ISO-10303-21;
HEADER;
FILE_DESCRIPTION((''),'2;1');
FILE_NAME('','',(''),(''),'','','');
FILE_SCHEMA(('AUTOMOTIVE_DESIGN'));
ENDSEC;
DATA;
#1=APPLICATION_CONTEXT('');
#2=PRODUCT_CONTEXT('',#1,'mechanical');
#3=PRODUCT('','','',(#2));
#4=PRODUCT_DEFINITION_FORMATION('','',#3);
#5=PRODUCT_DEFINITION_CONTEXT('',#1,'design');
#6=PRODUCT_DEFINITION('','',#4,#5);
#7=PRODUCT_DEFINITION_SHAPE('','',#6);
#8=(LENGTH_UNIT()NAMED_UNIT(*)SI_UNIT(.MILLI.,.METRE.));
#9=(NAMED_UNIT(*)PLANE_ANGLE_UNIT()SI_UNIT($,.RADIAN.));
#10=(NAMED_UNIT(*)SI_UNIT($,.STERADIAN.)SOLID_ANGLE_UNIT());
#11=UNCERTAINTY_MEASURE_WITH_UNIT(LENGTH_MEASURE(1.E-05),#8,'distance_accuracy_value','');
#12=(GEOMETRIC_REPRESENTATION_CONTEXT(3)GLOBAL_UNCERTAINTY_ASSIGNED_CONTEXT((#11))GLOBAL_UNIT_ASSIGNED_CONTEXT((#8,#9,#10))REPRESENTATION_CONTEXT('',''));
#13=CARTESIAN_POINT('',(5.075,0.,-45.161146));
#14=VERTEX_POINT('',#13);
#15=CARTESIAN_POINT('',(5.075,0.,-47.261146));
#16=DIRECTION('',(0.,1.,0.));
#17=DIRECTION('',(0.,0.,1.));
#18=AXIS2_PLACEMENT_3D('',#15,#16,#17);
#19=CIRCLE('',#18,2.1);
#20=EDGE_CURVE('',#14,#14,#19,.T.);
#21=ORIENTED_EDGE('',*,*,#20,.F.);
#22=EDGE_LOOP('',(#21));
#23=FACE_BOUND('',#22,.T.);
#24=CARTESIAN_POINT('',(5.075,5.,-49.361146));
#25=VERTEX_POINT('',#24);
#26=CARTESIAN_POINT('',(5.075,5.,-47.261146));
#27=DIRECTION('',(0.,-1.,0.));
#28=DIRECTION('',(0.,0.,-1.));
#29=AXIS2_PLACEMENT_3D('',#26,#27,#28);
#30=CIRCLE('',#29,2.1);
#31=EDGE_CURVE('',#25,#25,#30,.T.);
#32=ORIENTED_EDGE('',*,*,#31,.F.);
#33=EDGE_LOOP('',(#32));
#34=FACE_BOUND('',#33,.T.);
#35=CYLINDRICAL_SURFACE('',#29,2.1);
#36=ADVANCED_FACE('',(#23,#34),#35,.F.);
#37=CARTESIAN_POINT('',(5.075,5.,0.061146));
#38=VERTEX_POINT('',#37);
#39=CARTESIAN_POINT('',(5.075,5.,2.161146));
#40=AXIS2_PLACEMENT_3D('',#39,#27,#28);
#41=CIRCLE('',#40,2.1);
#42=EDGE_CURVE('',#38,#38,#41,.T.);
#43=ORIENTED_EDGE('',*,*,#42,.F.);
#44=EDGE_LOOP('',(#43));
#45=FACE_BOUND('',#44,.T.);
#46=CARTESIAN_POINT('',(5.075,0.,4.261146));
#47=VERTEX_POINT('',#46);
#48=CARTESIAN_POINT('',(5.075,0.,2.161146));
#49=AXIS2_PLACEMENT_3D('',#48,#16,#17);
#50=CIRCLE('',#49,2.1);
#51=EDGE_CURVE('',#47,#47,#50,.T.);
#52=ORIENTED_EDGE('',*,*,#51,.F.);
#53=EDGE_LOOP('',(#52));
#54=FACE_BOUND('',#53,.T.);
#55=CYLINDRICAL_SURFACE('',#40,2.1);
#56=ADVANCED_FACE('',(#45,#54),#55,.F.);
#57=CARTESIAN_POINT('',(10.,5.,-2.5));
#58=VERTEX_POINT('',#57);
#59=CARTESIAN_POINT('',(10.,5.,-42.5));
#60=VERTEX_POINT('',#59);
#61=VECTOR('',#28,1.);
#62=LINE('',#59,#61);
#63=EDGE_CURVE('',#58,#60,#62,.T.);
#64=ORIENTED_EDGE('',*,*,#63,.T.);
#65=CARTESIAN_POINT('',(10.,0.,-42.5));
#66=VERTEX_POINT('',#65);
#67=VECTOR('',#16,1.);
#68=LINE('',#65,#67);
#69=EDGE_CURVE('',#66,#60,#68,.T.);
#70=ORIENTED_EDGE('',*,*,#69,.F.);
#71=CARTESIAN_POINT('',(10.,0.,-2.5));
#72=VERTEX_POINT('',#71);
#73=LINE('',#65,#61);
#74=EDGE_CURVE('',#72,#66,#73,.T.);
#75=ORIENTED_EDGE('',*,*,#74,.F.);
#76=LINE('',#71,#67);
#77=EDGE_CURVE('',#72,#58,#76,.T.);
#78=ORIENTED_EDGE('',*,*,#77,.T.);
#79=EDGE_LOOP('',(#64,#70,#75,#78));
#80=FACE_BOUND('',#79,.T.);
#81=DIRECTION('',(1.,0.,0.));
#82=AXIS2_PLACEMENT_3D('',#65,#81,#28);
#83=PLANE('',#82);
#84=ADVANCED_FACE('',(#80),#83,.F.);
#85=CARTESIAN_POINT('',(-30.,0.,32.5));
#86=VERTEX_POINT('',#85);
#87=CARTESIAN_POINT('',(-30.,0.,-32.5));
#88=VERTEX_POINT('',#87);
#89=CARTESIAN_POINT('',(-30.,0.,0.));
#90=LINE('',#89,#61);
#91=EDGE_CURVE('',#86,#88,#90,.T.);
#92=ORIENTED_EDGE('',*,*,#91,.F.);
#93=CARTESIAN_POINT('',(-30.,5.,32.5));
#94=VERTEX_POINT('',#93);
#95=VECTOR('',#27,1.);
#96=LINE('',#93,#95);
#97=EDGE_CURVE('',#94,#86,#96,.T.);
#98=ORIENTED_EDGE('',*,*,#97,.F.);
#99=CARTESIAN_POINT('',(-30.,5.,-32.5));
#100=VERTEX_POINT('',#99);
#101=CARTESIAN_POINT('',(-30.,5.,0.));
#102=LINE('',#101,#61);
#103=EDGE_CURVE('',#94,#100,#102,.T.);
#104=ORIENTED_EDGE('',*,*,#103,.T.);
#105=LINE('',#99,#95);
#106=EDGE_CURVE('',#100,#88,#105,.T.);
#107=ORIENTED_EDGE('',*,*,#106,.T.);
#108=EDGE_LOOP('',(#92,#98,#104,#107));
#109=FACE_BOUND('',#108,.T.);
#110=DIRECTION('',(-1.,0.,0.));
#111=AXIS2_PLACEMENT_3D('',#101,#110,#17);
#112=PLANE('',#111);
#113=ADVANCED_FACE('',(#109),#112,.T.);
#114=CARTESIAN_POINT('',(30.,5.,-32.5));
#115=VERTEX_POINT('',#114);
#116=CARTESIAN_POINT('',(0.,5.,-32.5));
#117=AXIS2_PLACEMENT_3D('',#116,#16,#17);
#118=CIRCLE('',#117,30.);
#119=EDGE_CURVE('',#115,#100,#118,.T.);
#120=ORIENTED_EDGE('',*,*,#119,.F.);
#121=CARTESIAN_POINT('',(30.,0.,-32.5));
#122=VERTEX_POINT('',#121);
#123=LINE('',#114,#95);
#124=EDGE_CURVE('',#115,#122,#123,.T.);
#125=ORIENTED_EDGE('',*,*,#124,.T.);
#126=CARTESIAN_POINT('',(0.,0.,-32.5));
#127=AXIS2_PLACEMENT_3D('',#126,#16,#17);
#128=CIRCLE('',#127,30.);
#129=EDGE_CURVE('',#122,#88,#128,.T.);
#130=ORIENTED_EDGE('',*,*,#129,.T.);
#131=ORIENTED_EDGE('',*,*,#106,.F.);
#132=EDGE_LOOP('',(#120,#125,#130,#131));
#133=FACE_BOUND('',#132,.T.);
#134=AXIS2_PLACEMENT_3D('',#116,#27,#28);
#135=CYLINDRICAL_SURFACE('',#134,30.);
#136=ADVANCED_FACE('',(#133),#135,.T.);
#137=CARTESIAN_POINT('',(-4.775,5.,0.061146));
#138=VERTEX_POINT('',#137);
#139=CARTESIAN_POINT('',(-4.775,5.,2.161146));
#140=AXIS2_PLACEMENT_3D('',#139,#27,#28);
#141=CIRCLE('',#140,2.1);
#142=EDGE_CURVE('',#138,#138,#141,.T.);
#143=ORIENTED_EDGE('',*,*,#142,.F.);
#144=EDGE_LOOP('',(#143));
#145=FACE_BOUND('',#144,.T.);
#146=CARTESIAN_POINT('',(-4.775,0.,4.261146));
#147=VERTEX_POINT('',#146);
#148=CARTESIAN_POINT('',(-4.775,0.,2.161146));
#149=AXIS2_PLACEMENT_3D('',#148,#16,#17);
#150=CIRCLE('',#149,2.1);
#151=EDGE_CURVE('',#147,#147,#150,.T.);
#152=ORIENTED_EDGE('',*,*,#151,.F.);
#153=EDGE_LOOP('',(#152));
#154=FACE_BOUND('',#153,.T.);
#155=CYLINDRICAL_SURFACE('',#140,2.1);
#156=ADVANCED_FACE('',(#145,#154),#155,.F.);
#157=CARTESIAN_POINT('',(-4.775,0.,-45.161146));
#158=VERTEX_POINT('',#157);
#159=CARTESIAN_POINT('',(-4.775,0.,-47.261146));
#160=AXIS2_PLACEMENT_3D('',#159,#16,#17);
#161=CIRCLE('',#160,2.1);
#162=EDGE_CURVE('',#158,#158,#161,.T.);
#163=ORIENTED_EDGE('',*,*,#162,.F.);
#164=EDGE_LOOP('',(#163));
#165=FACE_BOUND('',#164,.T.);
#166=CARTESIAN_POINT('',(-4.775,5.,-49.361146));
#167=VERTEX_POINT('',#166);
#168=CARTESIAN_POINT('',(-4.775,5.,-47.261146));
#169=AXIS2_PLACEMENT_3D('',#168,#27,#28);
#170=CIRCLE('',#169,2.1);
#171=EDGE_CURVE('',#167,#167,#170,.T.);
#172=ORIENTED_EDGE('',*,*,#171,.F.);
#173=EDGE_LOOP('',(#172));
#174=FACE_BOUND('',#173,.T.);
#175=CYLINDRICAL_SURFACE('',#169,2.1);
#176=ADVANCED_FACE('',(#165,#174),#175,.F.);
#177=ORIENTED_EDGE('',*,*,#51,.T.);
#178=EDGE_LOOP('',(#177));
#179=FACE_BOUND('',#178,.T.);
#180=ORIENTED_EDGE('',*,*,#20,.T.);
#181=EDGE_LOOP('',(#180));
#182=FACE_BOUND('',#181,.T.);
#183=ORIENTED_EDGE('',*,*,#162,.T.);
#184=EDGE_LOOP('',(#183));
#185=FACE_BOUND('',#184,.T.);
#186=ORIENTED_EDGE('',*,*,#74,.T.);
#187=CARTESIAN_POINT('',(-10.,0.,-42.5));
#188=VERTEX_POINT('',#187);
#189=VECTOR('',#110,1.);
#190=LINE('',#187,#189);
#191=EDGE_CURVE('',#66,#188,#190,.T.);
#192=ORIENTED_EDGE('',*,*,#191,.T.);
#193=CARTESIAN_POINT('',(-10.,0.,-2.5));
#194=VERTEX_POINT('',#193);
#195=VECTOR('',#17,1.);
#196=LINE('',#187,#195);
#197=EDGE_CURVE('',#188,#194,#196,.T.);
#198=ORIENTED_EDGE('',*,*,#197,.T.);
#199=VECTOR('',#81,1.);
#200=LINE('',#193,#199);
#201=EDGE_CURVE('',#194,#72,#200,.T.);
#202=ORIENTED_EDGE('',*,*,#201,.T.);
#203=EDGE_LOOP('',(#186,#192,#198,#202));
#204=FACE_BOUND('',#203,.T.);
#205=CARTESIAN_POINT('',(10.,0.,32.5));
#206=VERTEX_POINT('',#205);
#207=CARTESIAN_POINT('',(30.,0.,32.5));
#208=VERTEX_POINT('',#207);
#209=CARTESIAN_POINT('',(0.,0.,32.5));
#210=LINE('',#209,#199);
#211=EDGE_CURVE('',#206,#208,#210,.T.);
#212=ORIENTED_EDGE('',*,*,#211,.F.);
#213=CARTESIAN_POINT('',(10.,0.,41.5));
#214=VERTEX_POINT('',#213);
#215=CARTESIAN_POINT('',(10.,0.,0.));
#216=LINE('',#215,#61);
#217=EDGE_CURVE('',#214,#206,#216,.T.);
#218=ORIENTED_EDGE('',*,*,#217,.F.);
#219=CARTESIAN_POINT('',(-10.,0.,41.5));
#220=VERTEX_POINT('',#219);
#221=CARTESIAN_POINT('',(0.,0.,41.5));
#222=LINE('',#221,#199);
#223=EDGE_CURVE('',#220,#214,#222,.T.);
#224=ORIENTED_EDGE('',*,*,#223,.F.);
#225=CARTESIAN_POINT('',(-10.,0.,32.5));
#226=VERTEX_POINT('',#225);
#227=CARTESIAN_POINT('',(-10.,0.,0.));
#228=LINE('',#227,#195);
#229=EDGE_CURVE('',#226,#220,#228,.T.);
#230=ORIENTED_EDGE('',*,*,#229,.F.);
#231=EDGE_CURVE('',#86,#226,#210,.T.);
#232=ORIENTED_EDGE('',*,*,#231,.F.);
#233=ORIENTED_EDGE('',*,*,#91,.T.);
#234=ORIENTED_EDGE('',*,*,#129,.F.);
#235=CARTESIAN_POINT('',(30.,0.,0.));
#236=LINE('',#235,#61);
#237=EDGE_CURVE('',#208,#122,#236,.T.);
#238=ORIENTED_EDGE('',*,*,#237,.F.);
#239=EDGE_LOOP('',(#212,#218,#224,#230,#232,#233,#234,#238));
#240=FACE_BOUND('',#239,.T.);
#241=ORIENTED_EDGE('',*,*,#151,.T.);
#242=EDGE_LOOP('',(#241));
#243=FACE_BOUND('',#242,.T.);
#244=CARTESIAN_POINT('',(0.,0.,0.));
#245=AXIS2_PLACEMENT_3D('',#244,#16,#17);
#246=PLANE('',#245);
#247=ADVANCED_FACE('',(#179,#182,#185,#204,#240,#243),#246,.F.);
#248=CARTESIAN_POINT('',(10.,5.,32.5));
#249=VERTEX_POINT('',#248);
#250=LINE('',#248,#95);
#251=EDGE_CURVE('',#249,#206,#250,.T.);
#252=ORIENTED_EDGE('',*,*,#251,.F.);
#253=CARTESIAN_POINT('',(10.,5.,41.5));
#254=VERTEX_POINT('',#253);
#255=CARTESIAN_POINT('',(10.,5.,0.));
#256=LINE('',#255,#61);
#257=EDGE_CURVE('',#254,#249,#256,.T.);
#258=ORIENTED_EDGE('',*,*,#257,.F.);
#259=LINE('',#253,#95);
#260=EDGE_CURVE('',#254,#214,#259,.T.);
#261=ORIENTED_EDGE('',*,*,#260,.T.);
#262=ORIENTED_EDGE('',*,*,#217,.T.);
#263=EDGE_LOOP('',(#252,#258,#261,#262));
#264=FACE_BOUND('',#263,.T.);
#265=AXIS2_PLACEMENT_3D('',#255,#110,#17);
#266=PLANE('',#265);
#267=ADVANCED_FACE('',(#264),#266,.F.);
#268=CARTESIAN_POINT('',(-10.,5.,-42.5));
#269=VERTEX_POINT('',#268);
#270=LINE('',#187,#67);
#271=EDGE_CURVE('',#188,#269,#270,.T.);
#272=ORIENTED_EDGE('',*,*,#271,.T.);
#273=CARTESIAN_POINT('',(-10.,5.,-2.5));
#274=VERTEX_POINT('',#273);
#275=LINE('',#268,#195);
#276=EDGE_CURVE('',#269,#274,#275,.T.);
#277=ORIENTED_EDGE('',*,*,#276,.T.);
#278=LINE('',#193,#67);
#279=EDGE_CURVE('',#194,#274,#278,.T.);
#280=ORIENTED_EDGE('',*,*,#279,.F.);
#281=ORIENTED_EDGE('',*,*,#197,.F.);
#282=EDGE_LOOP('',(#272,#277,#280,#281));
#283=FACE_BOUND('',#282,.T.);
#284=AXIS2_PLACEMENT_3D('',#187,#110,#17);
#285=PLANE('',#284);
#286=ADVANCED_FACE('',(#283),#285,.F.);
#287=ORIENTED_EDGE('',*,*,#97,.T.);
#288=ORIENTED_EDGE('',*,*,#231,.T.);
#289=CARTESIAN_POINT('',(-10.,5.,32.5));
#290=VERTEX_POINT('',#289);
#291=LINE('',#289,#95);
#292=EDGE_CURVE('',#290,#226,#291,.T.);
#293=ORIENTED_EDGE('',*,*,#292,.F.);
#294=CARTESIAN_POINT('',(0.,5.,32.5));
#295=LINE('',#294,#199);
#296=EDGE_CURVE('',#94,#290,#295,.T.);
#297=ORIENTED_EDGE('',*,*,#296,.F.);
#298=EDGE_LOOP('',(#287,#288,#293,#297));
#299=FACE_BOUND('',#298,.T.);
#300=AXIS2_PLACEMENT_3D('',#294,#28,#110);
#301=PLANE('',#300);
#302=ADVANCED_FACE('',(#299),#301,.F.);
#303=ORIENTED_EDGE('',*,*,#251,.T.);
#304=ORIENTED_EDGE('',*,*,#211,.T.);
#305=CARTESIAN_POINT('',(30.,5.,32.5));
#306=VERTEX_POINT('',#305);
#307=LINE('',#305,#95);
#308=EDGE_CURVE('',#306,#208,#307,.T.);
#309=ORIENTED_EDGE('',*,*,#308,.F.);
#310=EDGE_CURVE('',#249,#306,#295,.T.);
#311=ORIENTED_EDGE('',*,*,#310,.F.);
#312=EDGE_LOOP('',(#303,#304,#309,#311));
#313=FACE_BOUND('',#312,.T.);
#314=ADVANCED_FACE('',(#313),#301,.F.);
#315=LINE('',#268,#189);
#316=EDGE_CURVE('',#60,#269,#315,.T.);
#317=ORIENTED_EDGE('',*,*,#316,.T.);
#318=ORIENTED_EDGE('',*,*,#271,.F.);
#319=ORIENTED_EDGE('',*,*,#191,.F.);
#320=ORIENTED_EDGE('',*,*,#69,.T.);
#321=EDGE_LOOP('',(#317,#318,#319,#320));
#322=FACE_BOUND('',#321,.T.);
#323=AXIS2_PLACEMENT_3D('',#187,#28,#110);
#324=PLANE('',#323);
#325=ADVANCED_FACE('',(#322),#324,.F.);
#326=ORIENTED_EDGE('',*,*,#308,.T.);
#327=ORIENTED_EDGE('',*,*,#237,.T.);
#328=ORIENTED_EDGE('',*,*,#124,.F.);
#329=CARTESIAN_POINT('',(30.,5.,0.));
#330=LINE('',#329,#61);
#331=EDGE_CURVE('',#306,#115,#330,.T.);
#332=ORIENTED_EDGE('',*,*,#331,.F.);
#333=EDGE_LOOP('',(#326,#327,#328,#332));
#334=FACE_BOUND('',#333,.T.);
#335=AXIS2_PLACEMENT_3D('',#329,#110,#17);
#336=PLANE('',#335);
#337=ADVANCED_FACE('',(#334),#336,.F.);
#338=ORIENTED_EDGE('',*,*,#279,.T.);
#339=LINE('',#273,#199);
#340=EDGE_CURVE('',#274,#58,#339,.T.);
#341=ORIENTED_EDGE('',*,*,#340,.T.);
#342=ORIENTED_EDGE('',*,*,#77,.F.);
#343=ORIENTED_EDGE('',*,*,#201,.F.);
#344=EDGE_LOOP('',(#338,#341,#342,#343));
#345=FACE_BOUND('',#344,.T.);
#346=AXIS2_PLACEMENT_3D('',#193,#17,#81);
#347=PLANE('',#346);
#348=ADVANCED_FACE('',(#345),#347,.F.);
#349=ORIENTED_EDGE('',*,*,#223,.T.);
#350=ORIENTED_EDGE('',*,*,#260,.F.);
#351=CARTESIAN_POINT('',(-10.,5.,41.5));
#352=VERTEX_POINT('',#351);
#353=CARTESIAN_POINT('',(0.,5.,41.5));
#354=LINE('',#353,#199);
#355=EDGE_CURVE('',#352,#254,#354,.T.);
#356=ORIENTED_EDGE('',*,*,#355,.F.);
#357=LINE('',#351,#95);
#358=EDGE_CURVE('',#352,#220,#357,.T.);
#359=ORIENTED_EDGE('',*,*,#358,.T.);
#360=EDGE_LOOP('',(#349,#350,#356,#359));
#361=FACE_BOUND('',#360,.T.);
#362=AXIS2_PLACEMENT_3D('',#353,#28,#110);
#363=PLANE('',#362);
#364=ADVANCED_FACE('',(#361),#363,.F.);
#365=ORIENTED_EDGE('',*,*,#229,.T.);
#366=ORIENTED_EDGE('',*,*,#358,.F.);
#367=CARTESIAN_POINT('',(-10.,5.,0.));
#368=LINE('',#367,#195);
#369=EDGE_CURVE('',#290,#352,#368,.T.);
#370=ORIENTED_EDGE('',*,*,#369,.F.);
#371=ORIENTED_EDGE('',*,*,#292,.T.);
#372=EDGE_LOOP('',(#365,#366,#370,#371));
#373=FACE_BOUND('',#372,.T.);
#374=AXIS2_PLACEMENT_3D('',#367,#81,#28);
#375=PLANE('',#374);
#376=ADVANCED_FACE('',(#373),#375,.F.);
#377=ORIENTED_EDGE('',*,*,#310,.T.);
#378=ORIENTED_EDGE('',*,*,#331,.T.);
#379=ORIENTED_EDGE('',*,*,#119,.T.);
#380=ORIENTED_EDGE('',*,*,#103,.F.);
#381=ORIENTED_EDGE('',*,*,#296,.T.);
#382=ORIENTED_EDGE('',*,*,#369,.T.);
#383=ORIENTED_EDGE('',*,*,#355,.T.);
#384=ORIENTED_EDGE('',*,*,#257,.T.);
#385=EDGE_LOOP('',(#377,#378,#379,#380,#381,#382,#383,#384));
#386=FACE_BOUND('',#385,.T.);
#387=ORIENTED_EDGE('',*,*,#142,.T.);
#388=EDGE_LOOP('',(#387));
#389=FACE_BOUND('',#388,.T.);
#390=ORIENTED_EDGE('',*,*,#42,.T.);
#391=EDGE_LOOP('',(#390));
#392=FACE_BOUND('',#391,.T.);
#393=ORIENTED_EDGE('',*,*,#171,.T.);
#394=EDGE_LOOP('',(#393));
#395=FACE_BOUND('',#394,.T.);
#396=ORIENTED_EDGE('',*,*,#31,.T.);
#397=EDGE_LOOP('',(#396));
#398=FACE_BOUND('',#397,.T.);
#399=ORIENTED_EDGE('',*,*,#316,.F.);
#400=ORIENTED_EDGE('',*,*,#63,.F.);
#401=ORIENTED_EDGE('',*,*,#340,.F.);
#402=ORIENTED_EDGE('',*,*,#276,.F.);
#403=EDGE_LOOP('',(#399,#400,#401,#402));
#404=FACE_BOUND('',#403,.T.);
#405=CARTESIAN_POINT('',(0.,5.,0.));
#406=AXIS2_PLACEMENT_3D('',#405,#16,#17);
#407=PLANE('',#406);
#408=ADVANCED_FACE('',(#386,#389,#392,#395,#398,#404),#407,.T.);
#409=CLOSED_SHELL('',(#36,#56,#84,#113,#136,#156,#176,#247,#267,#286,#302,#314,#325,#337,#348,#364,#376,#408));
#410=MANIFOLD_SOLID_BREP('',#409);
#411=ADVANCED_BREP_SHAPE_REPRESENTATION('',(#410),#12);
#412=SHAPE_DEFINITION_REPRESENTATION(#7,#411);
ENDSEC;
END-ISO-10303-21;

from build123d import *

# Parameters (mm, degrees)
SKETCH1_W               = 60
SKETCH1_H               = 65
SKETCH1_W_2             = 20
SKETCH1_H_2             = 9
BOSS_EXTRUDE1_DEPTH     = 5
SKETCH2_W               = 20
SKETCH2_H               = 40
CUT_EXTRUDE1_DEPTH      = 6
SKETCH3_R               = 2.1
CUT_EXTRUDE2_DEPTH      = 1
CUT_EXTRUDE2_DEPTH_BACK = 6


with BuildPart() as part:
    # Sketch1 → Boss-Extrude1 (new body)
    with BuildSketch(Plane(origin=(0, 0, 0), x_dir=(1, 0, 0), z_dir=(0, 1, 0))):
        Rectangle(SKETCH1_W, SKETCH1_H)
        with Locations((0, -37)):
            Rectangle(SKETCH1_W_2, SKETCH1_H_2)
        with BuildLine():
            Line((-30, 32.5), (30, 32.5))
            ThreePointArc((30, 32.5), (0, 62.5), (-30, 32.5))
        make_face()
    extrude(amount=BOSS_EXTRUDE1_DEPTH)

    # Sketch2 → Cut-Extrude1 (cut, through all)
    with BuildSketch(Plane(origin=(0, 5, 0), x_dir=(1, 0, 0), z_dir=(0, 1, 0))):
        with Locations((0, 22.5)):
            Rectangle(SKETCH2_W, SKETCH2_H)
    extrude(amount=-CUT_EXTRUDE1_DEPTH, mode=Mode.SUBTRACT)

    # Sketch3 → Cut-Extrude2 (cut, two sides)
    with BuildSketch(Plane.XZ) as cut_extrude2_sk:
        with Locations((-4.775, 2.161145618)):
            Circle(SKETCH3_R)
        with Locations((5.075, 2.161145618)):
            Circle(SKETCH3_R)
        with Locations((5.075, -47.261145618)):
            Circle(SKETCH3_R)
        with Locations((-4.775, -47.261145618)):
            Circle(SKETCH3_R)
    extrude(amount=CUT_EXTRUDE2_DEPTH, mode=Mode.SUBTRACT)
    extrude(cut_extrude2_sk.sketch, amount=-CUT_EXTRUDE2_DEPTH_BACK, mode=Mode.SUBTRACT)


solid = part.part
